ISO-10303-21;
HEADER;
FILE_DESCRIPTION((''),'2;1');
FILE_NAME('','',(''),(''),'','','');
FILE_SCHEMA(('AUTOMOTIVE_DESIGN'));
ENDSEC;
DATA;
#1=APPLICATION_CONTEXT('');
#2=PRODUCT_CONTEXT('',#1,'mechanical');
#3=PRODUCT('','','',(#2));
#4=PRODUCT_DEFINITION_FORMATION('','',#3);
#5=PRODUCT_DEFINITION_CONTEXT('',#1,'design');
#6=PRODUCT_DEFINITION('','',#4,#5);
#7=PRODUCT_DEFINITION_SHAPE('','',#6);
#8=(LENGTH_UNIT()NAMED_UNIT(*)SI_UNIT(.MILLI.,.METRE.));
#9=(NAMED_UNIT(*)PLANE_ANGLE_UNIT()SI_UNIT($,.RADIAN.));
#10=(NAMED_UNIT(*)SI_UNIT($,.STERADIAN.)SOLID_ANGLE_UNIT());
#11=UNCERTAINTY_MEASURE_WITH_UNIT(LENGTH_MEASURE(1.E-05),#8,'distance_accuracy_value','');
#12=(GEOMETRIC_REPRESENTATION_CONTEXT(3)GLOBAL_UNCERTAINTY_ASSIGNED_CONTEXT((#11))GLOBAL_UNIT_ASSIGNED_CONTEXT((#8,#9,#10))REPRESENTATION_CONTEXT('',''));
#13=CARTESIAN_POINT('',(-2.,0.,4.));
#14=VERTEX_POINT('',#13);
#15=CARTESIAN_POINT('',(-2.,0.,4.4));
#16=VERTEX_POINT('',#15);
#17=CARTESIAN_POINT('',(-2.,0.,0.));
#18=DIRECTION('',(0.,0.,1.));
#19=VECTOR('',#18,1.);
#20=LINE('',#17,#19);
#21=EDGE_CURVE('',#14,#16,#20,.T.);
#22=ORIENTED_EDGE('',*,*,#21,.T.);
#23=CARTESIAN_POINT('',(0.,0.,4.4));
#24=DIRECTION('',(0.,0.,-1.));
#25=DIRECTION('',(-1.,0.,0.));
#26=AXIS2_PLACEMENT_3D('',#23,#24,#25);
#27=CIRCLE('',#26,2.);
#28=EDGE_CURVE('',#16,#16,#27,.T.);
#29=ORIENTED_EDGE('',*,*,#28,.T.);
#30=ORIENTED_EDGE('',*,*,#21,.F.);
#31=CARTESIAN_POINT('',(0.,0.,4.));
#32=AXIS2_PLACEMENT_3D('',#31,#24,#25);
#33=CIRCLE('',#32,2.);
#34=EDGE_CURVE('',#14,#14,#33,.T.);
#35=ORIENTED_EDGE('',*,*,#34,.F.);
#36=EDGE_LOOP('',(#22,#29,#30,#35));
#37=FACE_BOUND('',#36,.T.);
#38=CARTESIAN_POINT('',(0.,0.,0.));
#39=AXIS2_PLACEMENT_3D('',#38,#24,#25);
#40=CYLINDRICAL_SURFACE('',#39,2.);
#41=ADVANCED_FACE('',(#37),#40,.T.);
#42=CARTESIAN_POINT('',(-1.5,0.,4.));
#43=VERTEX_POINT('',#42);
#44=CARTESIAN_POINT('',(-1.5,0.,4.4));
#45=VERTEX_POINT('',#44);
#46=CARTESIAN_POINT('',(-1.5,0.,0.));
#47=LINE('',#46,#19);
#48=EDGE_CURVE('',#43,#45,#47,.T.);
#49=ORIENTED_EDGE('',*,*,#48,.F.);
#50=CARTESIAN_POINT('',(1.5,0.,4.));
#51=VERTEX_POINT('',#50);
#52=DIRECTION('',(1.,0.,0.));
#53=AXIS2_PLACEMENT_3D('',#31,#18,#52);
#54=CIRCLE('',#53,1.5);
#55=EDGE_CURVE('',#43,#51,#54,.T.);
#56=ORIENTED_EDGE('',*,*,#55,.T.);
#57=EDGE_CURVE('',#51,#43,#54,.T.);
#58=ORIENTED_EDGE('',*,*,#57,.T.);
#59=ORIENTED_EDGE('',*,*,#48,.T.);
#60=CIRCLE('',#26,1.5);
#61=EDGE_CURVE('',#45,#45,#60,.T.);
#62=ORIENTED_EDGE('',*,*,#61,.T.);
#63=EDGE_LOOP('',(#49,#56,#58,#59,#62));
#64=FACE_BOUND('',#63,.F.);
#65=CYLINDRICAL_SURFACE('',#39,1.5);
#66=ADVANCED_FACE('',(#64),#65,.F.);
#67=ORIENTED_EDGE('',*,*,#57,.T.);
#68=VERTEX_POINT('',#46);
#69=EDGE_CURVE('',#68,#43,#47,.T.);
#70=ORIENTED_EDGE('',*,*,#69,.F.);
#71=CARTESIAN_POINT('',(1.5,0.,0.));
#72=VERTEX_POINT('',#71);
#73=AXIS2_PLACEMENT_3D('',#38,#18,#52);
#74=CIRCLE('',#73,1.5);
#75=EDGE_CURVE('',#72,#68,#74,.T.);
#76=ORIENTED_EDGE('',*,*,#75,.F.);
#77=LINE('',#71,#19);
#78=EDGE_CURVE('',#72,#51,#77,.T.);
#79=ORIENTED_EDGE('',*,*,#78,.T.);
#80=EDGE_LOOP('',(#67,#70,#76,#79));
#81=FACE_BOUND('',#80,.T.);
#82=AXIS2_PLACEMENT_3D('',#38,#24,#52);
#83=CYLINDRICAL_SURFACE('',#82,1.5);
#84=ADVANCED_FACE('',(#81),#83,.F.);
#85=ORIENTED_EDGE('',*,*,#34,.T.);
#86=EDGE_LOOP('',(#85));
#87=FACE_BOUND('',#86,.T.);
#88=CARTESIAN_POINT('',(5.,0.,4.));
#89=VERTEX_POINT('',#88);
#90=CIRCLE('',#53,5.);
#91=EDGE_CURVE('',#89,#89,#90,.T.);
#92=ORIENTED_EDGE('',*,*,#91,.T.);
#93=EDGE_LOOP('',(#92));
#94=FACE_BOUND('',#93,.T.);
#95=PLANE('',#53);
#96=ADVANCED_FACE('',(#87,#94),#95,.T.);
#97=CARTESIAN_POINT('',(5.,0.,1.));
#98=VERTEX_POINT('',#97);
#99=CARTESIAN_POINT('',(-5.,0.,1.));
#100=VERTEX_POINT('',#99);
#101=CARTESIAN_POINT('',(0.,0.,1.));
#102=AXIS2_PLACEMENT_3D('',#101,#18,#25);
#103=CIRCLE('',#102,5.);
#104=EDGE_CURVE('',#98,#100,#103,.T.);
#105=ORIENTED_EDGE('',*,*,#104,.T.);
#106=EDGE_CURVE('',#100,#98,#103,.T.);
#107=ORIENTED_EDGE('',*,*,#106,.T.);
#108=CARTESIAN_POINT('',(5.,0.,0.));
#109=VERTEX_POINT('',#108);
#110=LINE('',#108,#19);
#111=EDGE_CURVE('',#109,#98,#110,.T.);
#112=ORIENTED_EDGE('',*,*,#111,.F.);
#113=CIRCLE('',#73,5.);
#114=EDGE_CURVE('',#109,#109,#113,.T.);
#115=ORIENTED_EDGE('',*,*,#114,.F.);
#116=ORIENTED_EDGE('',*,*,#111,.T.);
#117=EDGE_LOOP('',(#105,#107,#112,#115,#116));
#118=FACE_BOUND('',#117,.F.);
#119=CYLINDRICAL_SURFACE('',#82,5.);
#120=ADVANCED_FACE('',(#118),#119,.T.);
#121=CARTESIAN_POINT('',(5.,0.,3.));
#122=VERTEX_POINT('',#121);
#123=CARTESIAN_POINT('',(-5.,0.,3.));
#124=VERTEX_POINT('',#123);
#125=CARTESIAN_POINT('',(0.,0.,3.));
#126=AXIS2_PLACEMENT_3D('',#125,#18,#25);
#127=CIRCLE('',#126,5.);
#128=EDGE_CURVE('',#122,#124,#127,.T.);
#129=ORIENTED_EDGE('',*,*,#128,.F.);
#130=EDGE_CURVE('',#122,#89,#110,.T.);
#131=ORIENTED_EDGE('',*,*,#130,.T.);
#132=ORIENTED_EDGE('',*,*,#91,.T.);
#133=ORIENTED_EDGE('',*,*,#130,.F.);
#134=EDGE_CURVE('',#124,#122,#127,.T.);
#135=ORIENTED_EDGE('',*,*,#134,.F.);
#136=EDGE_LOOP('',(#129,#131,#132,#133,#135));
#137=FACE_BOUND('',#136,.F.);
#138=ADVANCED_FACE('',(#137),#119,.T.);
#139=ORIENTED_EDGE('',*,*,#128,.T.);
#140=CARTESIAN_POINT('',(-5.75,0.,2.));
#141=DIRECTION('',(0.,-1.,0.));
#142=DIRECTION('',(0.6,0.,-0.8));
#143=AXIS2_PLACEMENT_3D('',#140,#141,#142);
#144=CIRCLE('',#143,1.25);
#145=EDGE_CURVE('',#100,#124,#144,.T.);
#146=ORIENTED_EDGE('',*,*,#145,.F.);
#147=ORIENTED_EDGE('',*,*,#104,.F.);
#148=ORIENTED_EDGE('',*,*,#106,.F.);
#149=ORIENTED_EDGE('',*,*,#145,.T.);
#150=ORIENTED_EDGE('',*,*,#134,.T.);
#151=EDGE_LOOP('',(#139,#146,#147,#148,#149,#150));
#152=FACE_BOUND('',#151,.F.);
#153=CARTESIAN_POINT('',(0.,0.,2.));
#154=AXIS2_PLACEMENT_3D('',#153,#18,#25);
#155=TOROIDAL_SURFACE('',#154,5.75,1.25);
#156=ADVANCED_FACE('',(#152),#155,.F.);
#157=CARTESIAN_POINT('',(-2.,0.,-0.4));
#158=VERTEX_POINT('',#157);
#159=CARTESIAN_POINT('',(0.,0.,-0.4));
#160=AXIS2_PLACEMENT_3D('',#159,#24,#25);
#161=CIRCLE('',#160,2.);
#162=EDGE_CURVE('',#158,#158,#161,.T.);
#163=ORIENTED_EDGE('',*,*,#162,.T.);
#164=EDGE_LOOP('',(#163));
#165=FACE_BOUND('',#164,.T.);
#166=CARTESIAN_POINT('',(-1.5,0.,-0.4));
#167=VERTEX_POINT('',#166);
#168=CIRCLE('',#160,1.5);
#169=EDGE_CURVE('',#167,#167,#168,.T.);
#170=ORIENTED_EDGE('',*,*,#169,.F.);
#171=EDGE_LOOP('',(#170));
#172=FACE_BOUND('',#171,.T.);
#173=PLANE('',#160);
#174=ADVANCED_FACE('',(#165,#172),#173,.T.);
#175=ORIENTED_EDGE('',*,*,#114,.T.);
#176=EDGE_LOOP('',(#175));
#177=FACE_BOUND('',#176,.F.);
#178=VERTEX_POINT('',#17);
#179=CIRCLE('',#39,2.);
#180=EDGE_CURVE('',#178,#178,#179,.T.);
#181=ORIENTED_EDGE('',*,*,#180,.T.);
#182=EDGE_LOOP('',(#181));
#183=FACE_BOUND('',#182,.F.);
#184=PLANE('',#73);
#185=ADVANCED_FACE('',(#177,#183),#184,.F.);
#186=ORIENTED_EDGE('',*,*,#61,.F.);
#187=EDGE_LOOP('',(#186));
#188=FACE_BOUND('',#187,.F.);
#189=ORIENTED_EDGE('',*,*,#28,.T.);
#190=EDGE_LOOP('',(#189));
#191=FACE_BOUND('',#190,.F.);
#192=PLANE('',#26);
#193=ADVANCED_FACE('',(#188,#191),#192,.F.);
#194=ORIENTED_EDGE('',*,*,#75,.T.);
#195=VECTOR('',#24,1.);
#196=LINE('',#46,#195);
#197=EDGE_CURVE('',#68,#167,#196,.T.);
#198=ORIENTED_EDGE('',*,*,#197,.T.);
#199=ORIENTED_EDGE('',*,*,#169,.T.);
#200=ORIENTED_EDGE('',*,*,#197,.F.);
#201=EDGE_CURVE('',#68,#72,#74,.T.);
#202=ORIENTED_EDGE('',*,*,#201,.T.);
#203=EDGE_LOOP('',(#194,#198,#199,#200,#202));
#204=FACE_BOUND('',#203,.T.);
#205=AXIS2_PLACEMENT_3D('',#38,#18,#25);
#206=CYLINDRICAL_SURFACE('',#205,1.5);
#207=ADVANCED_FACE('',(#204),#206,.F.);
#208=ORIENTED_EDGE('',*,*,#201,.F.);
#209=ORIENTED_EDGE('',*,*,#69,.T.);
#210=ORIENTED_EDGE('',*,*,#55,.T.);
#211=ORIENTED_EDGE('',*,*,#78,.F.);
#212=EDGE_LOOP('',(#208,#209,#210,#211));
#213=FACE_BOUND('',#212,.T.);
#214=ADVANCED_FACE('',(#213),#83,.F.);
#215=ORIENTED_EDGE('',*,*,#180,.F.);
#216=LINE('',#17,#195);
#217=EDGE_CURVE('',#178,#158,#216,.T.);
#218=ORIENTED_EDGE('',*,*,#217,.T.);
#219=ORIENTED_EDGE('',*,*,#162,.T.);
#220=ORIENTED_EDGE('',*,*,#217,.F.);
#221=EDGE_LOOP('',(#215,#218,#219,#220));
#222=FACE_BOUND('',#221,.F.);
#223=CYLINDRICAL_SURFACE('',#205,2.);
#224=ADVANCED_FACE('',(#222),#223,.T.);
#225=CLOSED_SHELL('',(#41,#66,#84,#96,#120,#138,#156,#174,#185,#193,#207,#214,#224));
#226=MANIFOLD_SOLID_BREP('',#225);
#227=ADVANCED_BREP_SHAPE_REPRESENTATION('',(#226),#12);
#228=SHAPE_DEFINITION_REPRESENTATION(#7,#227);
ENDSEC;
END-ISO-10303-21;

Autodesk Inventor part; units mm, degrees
ref_plane "YZ Plane" through (0, 0, 0) normal (1, 0, 0) x (0, 1, 0)
ref_plane "XZ Plane" through (0, 0, 0) normal (0, 1, 0) x (-1, 0, 0)
ref_plane "XY Plane" through (0, 0, 0) normal (0, 0, 1) x (1, 0, 0)
sketch "Эскиз6" plane through (0, 0, 0) normal (0, 0, 1) x (1, 0, 0)
  circle A0 centre (0, 0) radius 1.5
  circle A1 centre (0, 0) radius 5
  dimension "d16" = 3
  dimension "d30" = 10
extrude "Выдавливание5" add sketch "Эскиз6" along normal blind 4
sketch "Эскиз7" plane through (0, 0, 0) normal (0, 1, 0) x (-1, 0, 0)
  line L0 (0, 0) -> (0, 4)
  line L1 (5, 4) -> (-5, 4) projected
  line L2 (5, 0) -> (5, 4) projected
  line L3 (5, 2) -> (4.5, 2)
  line L4 (5, 2) -> (5, 1)
  line L5 (5, 0) -> (5, 4) projected
  line L6 (5, 1) -> (5, 3)
  line L7 (5, 0) -> (5, 4) projected
  arc A0 (5, 3) -> (5, 1) centre (5.75, 2) ccw
  point P0 (6.5, 6)
  point P1 (6.5, 0)
  point P2 (5, 3)
  point P3 (5, 1)
  dimension "d31" = 0.5
  dimension "d32" = 1
  dimension "d33" = 2
revolve "Вращение2" cut sketch "Эскиз7" angle 360 about axis through (0, 0, 0) along (0, 0, 1)
fillet "Сопряжение3" [suppressed]
sketch "Эскиз8" plane through (0, 0, 0) normal (0, 0, -1) x (-1, 0, 0)
  circle A0 centre (0, 0) radius 2
  circle A1 centre (0, 0) radius 1.5
  dimension "d25" = 4
extrude "Выдавливание6" add sketch "Эскиз8" along normal blind 0.4 and the other way blind 4.4
properties part number "rolik_2" material "Серебро"
